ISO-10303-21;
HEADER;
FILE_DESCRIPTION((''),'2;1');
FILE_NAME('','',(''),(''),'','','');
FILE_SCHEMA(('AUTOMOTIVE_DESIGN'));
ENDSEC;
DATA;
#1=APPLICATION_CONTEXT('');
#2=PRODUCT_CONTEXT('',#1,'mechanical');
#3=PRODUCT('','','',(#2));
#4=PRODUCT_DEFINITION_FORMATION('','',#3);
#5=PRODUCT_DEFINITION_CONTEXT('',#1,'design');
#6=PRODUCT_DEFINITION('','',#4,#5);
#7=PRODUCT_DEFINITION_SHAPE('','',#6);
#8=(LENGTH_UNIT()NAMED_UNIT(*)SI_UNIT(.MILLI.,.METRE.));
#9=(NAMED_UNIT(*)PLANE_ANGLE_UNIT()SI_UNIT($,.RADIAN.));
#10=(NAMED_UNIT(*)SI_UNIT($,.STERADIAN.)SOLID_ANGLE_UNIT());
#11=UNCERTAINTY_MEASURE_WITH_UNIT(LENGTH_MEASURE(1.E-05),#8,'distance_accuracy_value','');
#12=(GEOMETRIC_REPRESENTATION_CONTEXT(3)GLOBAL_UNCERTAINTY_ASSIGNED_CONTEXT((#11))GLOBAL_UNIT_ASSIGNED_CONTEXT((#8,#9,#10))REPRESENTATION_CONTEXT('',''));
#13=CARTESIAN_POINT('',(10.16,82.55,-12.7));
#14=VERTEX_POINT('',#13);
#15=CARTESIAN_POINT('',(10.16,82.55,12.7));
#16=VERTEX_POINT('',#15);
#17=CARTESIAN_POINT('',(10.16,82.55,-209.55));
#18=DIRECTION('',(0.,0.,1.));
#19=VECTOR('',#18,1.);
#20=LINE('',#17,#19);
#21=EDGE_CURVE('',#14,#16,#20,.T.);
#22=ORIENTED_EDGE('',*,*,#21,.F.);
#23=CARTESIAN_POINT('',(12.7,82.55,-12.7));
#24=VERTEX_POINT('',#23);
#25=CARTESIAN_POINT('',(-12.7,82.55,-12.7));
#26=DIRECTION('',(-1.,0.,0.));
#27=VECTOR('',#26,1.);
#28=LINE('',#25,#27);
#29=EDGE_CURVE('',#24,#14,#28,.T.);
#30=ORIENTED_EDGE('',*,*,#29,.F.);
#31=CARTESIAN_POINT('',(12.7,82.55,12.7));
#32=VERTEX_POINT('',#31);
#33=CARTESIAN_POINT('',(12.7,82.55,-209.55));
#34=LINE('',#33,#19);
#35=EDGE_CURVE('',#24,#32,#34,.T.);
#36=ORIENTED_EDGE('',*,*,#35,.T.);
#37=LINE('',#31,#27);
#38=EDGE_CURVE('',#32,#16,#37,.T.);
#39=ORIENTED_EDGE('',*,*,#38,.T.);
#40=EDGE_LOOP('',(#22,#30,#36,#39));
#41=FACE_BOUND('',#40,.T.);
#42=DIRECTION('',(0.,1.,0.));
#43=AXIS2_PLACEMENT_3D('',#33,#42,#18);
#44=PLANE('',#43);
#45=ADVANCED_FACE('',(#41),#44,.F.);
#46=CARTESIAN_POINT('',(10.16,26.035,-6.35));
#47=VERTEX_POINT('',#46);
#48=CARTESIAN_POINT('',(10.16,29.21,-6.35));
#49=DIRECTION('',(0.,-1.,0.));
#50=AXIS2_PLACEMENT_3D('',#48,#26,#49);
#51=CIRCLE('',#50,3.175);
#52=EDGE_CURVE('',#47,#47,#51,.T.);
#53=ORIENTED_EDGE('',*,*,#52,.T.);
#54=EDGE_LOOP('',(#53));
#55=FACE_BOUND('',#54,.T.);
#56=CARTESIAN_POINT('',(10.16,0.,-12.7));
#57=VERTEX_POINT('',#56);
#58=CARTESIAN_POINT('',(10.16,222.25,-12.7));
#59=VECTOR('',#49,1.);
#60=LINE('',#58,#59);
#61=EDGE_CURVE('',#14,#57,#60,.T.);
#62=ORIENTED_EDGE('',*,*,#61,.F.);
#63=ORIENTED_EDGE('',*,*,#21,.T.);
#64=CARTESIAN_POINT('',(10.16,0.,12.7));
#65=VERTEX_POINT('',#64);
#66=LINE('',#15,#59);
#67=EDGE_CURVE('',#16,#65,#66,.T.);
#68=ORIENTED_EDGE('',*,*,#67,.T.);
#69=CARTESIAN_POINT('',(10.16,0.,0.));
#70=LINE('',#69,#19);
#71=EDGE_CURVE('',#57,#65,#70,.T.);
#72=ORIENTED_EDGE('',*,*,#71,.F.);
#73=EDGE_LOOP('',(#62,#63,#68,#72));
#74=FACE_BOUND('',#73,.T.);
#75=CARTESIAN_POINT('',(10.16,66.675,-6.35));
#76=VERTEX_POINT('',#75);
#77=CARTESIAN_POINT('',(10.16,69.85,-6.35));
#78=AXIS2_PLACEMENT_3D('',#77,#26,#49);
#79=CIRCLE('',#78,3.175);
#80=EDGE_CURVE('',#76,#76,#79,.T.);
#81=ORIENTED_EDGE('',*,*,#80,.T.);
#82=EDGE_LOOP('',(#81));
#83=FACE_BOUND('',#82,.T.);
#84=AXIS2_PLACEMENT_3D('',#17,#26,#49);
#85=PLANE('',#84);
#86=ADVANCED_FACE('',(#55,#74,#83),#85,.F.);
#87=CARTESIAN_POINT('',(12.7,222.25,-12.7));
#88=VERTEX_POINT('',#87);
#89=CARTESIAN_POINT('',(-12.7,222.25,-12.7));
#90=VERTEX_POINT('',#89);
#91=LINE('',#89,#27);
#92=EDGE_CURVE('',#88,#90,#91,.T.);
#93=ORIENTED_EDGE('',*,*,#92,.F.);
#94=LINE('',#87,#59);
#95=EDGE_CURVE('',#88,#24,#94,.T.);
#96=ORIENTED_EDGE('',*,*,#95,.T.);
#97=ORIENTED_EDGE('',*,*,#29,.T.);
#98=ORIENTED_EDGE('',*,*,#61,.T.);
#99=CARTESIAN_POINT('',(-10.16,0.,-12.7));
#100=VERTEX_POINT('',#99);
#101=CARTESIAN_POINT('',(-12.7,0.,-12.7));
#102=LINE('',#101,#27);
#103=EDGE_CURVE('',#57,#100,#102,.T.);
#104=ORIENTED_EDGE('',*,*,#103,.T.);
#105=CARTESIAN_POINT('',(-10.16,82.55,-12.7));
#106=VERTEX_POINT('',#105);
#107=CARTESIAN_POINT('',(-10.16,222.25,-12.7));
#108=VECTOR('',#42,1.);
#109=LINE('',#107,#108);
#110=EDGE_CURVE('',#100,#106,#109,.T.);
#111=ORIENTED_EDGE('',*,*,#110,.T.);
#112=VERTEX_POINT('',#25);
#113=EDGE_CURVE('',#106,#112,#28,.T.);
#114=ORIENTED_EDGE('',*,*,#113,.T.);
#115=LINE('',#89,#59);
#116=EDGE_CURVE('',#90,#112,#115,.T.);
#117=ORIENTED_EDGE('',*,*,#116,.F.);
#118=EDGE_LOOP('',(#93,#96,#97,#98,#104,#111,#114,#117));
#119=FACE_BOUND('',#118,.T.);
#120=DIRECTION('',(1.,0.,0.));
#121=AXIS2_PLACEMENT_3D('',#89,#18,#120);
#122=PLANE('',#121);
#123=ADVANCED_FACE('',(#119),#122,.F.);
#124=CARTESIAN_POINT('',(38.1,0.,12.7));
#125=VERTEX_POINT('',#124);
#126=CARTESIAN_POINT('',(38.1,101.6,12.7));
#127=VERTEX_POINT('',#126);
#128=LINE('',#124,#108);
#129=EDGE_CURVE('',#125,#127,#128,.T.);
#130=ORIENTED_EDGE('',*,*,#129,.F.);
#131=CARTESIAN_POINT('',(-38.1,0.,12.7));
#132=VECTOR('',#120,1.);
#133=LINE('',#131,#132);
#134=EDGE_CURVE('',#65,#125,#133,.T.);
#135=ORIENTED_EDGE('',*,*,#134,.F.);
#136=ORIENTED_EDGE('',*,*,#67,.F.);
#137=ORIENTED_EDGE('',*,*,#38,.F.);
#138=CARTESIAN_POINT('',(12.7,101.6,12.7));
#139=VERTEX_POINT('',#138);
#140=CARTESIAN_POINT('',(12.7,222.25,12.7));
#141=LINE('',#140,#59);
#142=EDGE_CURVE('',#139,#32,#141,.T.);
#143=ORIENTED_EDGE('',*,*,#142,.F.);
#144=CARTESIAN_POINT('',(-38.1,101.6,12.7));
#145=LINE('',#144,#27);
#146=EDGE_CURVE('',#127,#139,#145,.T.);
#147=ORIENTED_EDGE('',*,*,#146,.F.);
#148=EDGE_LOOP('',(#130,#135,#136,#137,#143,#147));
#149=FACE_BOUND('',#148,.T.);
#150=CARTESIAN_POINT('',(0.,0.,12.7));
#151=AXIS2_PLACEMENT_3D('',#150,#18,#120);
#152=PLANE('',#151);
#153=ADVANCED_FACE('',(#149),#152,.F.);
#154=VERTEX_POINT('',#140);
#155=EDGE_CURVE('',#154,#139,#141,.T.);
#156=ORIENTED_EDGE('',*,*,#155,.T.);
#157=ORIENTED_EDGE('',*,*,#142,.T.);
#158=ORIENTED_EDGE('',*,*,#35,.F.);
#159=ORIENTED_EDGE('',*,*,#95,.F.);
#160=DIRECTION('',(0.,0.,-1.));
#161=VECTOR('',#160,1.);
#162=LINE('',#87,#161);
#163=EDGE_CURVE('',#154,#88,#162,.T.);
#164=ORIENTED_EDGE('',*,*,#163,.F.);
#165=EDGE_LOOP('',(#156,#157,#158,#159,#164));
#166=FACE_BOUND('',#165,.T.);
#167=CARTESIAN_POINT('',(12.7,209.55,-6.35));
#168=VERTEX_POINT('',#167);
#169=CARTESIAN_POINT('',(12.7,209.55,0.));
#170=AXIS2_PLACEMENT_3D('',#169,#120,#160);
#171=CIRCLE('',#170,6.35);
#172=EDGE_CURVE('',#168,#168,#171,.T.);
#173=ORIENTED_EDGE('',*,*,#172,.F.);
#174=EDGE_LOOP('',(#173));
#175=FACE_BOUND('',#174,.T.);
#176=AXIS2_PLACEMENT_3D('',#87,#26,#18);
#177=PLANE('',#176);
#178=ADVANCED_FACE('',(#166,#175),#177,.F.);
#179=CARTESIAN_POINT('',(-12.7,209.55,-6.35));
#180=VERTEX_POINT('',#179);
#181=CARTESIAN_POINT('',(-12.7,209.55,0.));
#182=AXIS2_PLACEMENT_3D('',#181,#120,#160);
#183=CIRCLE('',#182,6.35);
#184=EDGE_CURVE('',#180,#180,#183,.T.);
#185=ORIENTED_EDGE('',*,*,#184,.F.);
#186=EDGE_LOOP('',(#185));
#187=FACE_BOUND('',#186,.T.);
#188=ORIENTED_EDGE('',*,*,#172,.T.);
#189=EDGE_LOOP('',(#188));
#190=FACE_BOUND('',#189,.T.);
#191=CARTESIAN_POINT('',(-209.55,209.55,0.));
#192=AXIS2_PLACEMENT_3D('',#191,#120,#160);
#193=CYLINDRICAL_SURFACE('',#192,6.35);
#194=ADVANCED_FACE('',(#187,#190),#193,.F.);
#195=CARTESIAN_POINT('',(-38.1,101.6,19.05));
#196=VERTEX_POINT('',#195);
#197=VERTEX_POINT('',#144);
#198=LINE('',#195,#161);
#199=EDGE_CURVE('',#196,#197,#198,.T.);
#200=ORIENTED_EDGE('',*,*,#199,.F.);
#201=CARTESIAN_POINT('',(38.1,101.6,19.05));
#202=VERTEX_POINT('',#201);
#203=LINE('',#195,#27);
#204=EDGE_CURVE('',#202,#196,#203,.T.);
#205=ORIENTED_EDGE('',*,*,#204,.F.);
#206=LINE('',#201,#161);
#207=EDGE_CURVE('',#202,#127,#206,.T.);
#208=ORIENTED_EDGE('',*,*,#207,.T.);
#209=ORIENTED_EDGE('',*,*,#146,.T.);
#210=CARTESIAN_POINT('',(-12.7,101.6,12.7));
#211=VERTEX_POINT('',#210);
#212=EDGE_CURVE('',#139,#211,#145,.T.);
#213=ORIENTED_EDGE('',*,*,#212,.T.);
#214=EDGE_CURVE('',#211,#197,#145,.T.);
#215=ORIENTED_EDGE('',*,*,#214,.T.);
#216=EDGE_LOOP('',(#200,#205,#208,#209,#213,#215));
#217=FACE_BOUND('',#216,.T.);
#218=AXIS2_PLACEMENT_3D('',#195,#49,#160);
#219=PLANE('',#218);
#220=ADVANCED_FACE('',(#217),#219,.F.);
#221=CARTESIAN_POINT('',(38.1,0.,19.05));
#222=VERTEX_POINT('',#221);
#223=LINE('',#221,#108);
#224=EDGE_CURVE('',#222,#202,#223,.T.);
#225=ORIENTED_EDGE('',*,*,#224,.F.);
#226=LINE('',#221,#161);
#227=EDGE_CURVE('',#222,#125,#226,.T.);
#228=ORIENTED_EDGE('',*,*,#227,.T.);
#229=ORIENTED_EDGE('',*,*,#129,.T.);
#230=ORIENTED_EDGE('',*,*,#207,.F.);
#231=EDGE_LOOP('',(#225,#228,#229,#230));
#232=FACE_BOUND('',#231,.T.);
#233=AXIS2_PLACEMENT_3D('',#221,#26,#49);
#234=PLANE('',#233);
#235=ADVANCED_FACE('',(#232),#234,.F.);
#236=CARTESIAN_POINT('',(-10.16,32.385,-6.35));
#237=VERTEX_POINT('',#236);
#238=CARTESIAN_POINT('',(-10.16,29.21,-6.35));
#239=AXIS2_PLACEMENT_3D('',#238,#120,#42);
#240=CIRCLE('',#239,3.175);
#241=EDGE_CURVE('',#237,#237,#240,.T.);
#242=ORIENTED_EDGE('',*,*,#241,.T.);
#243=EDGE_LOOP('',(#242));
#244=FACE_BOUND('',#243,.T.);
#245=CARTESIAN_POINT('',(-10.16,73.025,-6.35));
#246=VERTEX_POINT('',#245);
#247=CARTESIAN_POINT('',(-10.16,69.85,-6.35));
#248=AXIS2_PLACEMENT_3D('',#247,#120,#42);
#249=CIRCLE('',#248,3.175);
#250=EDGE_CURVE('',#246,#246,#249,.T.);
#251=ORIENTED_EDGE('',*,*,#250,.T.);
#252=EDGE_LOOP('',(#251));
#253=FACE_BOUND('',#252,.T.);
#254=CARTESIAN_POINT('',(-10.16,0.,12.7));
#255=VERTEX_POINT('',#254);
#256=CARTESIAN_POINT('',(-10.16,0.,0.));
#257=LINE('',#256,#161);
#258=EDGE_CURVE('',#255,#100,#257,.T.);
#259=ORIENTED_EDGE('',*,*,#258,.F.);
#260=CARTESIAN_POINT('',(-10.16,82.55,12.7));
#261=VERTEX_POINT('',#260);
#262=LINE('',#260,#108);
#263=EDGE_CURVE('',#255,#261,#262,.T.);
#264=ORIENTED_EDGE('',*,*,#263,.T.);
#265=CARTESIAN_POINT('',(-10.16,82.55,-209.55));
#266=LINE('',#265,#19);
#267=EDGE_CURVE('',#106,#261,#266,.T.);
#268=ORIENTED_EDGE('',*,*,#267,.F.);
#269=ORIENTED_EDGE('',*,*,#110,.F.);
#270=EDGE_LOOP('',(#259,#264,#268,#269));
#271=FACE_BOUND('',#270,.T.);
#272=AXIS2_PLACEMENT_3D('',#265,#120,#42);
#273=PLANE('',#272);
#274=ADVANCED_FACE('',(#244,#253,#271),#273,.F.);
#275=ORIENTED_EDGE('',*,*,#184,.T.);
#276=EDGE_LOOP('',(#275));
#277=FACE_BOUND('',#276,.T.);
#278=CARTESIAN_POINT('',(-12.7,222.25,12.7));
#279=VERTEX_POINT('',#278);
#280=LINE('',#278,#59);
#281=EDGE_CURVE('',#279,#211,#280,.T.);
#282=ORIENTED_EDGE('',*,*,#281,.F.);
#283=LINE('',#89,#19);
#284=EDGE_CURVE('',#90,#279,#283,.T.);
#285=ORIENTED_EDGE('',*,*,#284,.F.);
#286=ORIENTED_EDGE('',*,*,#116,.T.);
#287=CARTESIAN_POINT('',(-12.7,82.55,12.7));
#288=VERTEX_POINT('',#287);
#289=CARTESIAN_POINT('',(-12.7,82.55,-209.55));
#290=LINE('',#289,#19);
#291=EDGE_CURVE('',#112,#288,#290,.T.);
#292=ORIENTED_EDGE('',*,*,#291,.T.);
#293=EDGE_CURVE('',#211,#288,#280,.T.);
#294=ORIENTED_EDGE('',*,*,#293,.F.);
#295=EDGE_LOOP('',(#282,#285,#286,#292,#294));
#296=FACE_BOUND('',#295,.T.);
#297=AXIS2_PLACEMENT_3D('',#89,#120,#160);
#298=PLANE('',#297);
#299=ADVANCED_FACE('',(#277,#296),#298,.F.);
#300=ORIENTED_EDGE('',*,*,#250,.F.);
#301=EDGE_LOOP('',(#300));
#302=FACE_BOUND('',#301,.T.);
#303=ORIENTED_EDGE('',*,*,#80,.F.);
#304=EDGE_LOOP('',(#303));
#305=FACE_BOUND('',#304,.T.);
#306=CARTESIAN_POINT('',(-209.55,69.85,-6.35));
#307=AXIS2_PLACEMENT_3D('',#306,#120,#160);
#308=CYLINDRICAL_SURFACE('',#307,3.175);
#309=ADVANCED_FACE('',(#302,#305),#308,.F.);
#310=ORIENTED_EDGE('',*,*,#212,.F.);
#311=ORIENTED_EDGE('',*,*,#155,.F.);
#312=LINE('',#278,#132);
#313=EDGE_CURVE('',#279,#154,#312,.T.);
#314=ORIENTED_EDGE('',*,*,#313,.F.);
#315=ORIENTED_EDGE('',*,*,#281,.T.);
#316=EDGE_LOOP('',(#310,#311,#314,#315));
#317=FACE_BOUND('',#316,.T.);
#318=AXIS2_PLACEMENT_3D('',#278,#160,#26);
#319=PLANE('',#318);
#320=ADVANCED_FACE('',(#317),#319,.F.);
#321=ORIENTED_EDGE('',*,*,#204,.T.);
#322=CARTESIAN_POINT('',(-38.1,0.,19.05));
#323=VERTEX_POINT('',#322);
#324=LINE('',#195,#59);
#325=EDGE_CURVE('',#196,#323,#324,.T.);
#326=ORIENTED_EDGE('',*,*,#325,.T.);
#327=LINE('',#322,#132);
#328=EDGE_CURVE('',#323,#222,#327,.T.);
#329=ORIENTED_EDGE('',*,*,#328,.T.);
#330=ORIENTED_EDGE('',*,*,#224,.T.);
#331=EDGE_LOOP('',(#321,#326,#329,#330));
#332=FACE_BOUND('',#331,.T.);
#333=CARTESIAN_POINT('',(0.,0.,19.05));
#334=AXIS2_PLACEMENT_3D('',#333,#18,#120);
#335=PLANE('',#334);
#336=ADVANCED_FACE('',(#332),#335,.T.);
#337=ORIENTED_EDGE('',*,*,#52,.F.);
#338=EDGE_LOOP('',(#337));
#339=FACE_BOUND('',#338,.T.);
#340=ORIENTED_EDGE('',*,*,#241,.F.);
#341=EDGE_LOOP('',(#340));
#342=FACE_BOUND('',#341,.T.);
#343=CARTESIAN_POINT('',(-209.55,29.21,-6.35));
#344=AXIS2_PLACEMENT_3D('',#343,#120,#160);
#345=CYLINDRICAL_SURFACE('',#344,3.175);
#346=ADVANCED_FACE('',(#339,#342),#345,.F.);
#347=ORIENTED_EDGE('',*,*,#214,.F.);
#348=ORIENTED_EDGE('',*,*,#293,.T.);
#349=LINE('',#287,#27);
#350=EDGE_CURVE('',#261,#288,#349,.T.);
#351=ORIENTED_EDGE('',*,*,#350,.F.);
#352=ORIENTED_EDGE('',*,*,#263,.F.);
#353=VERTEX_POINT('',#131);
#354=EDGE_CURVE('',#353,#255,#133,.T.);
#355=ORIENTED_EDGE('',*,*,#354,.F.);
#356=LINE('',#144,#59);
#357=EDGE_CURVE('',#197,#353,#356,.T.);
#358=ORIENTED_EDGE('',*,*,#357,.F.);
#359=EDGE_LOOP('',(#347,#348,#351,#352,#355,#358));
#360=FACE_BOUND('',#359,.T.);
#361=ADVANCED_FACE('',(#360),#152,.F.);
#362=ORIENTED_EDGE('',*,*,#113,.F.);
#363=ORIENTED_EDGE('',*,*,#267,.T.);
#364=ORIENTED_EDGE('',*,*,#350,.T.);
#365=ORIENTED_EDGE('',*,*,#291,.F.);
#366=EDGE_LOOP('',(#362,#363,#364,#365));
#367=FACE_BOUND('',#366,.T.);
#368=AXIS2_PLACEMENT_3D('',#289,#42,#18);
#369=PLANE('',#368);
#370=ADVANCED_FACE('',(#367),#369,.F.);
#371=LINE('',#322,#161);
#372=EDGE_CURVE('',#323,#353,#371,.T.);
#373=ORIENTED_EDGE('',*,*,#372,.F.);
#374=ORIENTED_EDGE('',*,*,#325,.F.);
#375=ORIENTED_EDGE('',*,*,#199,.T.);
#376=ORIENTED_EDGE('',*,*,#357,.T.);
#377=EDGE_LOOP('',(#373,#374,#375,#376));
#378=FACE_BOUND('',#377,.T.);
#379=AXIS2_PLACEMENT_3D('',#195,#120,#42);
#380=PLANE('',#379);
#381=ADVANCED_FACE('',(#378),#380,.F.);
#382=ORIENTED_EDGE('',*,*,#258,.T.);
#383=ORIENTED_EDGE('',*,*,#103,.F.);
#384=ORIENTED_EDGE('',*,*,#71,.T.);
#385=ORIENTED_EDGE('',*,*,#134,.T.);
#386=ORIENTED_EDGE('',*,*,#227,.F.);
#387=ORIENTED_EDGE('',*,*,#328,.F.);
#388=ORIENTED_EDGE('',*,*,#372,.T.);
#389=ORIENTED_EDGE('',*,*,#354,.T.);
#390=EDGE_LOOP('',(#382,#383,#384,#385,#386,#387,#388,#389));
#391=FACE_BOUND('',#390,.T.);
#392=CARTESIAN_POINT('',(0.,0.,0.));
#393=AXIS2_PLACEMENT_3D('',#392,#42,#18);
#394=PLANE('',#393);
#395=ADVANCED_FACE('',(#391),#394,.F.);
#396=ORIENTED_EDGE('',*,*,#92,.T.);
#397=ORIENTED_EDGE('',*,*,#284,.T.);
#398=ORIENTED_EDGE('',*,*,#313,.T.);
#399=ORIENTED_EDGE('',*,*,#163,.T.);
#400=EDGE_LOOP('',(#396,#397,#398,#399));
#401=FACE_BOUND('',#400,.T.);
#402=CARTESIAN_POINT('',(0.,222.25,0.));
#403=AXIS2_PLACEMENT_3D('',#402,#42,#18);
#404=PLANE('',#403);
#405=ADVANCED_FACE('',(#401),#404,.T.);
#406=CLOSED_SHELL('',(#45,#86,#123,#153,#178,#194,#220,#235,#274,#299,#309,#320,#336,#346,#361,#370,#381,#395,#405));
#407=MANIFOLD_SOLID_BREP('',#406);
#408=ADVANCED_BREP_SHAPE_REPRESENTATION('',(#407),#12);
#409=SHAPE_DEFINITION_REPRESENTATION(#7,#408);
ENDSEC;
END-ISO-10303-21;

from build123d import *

# Parameters (mm, degrees)
SKETCH1_W           = 25.4
SKETCH1_H           = 25.4
BOSS_EXTRUDE1_DEPTH = 222.25
SKETCH2_W           = 2.54
SKETCH2_H           = 82.55
CUT_EXTRUDE1_DEPTH  = 222.25
SKETCH3_R           = 6.35
SKETCH3_R_2         = 3.175
CUT_EXTRUDE2_DEPTH  = 222.25
SKETCH4_W           = 76.2
SKETCH4_H           = 101.6
BOSS_EXTRUDE3_DEPTH = 6.35


with BuildPart() as part:
    # Sketch1 → Boss-Extrude1 (new body)
    with BuildSketch(Plane(origin=(0, 0, 0), x_dir=(1, 0, 0), z_dir=(0, 1, 0))):
        Rectangle(SKETCH1_W, SKETCH1_H)
    extrude(amount=BOSS_EXTRUDE1_DEPTH)

    # Sketch2 → Cut-Extrude1 (cut)
    with BuildSketch(Plane.XY.offset(12.7)):
        with Locations((-11.43, 41.275)):
            Rectangle(SKETCH2_W, SKETCH2_H)
        with Locations((11.43, 41.275)):
            Rectangle(SKETCH2_W, SKETCH2_H)
    extrude(amount=-CUT_EXTRUDE1_DEPTH, mode=Mode.SUBTRACT)

    # Sketch3 → Cut-Extrude2 (cut)
    with BuildSketch(Plane(origin=(12.7, 0, 0), x_dir=(0, 0, -1), z_dir=(1, 0, 0))):
        with Locations((0, 209.55)):
            Circle(SKETCH3_R)
        with Locations(Location((6.35, 69.85, 0), (0, 0, 90))):
            Circle(SKETCH3_R_2)
        with Locations(Location((6.35, 29.21, 0), (0, 0, 90))):
            Circle(SKETCH3_R_2)
    extrude(amount=-CUT_EXTRUDE2_DEPTH, mode=Mode.SUBTRACT)

    # Sketch4 → Boss-Extrude3 (add)
    with BuildSketch(Plane.XY.offset(12.7)):
        with Locations((0, 50.8)):
            Rectangle(SKETCH4_W, SKETCH4_H)
    extrude(amount=BOSS_EXTRUDE3_DEPTH)


solid = part.part
